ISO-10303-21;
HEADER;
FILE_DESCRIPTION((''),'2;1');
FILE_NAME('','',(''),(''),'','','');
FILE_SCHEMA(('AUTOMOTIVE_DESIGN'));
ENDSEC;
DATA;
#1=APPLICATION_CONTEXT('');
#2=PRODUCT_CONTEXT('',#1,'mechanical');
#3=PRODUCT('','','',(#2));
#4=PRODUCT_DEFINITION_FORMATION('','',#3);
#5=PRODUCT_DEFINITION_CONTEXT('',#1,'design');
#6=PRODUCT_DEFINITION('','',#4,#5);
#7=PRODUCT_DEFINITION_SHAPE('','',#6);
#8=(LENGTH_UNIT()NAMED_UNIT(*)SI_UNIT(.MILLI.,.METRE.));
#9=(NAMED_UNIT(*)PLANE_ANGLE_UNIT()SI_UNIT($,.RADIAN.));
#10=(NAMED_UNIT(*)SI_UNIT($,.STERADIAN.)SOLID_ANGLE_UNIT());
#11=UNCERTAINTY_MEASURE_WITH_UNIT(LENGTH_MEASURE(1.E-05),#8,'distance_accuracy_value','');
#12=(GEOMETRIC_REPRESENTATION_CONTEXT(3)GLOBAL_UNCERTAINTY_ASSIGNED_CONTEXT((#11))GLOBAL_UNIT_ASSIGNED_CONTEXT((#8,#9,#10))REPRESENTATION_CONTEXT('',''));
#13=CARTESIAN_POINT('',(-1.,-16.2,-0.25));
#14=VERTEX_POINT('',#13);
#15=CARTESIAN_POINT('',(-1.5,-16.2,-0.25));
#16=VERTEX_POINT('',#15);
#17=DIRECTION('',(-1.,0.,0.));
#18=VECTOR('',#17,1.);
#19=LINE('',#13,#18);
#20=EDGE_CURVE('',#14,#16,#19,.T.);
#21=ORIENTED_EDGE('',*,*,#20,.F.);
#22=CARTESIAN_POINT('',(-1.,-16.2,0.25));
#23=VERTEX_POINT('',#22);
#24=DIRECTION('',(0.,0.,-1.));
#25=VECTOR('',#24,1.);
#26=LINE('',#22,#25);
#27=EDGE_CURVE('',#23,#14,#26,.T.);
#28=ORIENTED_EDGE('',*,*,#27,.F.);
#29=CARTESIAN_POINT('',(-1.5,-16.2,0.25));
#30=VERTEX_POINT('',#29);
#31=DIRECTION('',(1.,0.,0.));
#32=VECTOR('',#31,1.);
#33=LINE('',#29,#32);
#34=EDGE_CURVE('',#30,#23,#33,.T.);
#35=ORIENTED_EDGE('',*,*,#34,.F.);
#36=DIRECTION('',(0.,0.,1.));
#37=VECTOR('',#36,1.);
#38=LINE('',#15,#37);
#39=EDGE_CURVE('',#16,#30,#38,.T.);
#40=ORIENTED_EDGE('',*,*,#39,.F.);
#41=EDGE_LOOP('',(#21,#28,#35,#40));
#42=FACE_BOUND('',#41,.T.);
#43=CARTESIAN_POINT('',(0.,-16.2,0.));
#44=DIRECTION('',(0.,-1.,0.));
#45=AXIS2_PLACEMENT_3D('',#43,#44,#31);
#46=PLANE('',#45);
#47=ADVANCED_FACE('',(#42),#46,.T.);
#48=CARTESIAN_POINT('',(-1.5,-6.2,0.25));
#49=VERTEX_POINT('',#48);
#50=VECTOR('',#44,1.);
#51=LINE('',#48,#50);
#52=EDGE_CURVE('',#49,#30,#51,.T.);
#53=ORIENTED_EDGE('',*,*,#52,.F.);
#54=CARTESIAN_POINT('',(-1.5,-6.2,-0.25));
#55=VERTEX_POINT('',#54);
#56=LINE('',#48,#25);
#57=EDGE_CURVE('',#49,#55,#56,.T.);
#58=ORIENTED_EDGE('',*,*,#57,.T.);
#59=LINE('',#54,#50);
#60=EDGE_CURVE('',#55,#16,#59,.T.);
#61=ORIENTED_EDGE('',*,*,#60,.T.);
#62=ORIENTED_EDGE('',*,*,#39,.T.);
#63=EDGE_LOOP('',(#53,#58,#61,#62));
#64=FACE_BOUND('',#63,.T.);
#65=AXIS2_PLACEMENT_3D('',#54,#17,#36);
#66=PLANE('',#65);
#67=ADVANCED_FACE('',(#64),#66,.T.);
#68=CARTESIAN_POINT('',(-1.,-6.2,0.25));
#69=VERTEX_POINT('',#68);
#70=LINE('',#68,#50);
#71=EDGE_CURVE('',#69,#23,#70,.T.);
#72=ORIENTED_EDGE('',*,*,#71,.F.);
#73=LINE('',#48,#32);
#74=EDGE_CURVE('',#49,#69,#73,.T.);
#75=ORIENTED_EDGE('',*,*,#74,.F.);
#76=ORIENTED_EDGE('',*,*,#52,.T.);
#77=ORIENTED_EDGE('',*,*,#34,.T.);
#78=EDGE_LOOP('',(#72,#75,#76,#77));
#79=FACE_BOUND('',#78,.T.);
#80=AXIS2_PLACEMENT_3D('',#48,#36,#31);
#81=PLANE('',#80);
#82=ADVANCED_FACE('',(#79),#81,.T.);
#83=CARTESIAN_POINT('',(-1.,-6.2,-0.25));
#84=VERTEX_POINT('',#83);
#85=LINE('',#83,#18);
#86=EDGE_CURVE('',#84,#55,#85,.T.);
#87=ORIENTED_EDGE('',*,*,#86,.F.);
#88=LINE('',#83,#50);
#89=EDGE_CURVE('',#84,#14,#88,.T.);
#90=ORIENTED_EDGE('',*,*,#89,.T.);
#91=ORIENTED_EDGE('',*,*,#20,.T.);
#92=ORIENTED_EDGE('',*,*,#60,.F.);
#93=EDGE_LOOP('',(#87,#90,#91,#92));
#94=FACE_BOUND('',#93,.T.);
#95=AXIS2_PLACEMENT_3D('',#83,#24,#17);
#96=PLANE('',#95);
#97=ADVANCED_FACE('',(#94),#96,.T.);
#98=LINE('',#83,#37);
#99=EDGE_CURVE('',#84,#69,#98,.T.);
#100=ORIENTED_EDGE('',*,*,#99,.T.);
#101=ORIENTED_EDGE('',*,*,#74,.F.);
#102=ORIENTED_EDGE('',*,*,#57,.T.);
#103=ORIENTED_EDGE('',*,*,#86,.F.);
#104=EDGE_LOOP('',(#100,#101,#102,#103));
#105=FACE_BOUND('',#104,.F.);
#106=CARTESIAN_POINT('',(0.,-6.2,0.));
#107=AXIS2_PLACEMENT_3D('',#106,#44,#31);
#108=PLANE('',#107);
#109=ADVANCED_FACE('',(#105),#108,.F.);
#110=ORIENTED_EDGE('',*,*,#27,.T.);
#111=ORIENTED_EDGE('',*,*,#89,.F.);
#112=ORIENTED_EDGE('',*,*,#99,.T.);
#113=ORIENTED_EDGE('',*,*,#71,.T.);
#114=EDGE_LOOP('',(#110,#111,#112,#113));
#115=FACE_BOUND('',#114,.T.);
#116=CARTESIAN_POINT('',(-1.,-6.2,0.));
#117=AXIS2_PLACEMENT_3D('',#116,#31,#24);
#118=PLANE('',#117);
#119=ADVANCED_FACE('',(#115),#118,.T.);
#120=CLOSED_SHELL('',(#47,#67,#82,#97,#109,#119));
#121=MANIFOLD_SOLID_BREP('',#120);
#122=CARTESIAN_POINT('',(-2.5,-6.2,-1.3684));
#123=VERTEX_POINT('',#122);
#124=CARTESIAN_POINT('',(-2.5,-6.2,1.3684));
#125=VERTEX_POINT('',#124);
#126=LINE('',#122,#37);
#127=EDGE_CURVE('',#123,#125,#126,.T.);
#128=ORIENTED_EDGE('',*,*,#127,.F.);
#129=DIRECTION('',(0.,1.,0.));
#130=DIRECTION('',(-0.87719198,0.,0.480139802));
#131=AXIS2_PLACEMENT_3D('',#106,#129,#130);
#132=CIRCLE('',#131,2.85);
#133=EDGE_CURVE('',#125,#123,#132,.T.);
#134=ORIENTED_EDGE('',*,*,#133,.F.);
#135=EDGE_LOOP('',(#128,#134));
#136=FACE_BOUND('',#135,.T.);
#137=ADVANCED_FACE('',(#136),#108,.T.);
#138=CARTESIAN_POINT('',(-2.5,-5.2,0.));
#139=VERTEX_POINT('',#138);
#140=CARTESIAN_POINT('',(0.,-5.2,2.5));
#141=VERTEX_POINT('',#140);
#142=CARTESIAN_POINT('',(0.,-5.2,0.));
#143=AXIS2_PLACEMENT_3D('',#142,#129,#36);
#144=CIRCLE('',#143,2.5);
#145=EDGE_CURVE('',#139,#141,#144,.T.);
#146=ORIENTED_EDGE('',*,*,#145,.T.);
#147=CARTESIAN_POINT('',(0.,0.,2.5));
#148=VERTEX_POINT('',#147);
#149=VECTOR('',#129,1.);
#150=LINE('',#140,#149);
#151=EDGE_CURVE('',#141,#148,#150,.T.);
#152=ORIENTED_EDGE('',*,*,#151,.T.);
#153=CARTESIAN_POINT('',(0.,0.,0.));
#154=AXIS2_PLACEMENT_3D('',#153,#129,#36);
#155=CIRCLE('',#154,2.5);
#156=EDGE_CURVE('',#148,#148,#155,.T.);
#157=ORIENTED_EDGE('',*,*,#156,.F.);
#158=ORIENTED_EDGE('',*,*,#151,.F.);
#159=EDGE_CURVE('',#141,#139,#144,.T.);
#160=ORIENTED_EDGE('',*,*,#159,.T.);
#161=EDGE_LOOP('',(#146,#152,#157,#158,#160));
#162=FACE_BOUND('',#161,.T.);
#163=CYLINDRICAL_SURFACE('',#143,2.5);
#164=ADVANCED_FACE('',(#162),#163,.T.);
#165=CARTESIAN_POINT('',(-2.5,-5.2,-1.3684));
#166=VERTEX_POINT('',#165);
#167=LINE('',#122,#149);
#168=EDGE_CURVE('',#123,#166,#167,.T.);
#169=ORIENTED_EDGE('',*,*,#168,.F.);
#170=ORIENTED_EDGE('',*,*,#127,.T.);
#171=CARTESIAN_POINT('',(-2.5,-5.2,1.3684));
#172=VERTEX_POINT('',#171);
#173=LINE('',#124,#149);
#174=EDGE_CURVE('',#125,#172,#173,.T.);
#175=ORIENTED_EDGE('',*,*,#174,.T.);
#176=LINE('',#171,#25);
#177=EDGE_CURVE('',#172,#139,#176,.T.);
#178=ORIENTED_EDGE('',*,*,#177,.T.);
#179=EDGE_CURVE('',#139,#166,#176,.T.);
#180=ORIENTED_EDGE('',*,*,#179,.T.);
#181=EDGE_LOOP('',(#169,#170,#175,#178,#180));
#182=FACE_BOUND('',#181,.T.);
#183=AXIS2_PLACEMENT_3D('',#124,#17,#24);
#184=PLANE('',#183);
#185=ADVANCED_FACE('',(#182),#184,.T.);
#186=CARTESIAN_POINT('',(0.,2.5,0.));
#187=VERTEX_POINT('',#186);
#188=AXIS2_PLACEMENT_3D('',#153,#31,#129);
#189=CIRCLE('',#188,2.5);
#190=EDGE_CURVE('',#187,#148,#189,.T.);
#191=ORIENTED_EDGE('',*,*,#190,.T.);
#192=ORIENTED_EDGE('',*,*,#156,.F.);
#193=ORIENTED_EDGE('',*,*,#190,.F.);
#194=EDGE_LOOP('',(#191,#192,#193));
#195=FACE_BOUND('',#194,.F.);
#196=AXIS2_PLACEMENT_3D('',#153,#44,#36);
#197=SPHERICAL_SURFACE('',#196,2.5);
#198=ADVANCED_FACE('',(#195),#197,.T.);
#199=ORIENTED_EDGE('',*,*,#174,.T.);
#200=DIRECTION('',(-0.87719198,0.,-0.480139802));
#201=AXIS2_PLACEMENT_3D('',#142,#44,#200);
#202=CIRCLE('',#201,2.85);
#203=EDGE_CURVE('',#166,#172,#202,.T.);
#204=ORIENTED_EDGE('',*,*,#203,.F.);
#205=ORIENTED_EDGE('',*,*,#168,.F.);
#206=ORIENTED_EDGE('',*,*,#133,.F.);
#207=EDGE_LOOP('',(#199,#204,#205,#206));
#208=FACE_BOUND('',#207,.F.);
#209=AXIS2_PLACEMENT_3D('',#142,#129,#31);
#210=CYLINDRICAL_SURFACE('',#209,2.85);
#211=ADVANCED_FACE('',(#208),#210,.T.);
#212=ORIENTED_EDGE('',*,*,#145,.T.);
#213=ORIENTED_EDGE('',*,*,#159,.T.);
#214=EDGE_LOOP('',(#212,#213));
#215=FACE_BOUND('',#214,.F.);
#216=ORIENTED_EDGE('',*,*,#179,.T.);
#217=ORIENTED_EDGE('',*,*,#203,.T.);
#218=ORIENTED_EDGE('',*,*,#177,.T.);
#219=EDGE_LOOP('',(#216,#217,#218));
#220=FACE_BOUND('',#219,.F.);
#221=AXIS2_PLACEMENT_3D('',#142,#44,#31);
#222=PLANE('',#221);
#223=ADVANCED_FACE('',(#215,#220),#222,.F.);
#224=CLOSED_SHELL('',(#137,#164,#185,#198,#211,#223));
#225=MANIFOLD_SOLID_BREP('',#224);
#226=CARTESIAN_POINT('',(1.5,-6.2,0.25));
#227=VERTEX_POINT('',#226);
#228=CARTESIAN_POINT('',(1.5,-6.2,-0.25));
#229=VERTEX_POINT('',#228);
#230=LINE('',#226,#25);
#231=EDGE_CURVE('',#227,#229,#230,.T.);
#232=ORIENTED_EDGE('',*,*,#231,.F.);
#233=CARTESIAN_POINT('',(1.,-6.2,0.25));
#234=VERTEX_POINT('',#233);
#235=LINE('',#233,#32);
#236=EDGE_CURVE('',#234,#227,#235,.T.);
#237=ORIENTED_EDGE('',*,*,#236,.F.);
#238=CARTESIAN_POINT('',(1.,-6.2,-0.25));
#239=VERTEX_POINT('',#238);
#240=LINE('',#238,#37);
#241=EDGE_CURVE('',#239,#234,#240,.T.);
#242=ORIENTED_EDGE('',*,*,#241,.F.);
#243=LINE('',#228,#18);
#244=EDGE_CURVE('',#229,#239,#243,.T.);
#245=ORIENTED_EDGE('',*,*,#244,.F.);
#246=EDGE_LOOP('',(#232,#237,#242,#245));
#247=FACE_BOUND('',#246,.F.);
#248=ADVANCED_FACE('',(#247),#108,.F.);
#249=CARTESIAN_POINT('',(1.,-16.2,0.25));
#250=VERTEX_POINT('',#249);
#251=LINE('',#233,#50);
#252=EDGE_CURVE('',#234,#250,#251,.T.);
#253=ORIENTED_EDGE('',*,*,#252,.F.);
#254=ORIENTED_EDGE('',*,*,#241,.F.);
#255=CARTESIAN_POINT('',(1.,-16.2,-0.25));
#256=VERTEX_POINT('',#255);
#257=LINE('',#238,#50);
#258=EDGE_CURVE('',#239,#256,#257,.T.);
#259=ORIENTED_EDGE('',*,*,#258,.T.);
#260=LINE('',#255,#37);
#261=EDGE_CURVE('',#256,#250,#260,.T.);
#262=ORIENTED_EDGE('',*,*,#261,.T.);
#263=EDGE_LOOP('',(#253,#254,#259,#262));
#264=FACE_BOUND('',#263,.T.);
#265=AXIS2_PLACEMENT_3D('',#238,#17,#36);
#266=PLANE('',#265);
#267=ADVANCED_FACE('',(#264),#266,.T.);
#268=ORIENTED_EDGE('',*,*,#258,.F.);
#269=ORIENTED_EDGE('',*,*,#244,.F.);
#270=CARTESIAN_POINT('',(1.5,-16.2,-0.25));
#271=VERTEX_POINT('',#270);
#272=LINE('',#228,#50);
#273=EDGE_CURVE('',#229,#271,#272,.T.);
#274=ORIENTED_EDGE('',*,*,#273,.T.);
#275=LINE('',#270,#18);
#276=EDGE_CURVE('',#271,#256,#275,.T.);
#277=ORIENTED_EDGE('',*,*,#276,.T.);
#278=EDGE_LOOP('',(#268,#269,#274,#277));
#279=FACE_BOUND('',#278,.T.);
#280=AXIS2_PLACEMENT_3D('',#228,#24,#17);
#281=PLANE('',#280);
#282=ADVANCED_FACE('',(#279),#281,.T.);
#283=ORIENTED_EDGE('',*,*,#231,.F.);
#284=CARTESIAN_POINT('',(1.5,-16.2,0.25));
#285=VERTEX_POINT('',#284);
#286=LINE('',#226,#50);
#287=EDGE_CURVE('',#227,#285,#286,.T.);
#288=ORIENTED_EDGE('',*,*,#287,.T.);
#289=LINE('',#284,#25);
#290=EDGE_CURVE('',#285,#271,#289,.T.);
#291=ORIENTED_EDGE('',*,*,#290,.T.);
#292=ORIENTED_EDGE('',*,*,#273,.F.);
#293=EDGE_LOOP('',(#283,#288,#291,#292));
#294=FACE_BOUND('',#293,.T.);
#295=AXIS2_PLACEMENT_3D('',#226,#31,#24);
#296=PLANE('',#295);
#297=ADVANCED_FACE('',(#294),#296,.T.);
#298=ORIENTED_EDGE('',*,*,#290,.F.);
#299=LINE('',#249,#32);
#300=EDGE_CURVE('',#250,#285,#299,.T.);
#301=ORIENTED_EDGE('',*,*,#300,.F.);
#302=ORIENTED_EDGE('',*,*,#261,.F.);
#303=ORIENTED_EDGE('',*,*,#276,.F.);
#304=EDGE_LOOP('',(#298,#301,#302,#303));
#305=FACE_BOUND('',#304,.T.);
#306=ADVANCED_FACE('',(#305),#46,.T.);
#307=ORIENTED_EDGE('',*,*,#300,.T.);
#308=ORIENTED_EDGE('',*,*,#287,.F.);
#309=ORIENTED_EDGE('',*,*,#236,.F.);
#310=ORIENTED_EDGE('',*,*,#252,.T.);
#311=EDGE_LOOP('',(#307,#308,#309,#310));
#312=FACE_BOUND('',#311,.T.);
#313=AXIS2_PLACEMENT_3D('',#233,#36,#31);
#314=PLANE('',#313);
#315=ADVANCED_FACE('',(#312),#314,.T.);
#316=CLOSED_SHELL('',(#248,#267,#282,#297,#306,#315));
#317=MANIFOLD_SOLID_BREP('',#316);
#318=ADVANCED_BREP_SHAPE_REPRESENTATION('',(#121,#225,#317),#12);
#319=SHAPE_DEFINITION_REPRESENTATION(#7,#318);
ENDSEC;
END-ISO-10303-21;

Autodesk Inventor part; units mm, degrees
ref_plane "YZ Plane" through (0, 0, 0) normal (1, 0, 0) x (0, 1, 0)
ref_plane "XZ Plane" through (0, 0, 0) normal (0, 1, 0) x (-1, 0, 0)
ref_plane "XY Plane" through (0, 0, 0) normal (0, 0, 1) x (1, 0, 0)
sketch "Sketch1" plane through (0, 0, 0) normal (1, 0, 0) x (0, 1, 0)
  arc A0 (2.5, 0) -> (0, 2.5) centre (0, 0) ccw
  line L0 (-5.2, 0) -> (-5.2, 2.5)
  line L1 (-5.2, 2.5) -> (0, 2.5)
  line L2 (-5.2, 0) -> (2.5, 0)
  dimension "d0" = 2.5
  dimension "d1" = 7.7
revolve "Revolution1" add sketch "Sketch1" angle 360 about axis through (0, -5.2, 0) along (0, 1, 0)
sketch "Sketch2" plane through (0, -5.2, 0) normal (0, -1, 0) x (1, 0, 0)
  circle A0 centre (0, 0) radius 2.85
  dimension "d3" = 5.7
extrude "Extrusion1" add sketch "Sketch2" along normal blind 1
sketch "Sketch3" plane through (0, -6.2, 0) normal (0, -1, 0) x (1, 0, 0)
  circle A0 centre (0, 0) radius 2.5 projected
  line L0 (-2.5, 1.3684) -> (-2.5, -1.3684)
  circle A1 centre (0, 0) radius 2.85 projected
extrude "Extrusion2" cut sketch "Sketch3" against normal up to surface (1 mm away) contours L0 A1 picked at (-2.5741, -0.7373)
sketch "Sketch4" plane through (0, -6.2, 0) normal (0, -1, 0) x (1, 0, 0)
  line L0 (1.5, -0.25) -> (1, -0.25)
  line L1 (1, -0.25) -> (1, 0.25)
  line L2 (1, 0.25) -> (1.5, 0.25)
  line L3 (1.5, 0.25) -> (1.5, -0.25)
  line L4 (1.5, -0.25) -> (1, 0.25) construction
  line L5 (1, -0.25) -> (1.5, 0.25) construction
  line L6 (-1, -0.25) -> (-1.5, -0.25)
  line L7 (-1.5, -0.25) -> (-1.5, 0.25)
  line L8 (-1.5, 0.25) -> (-1, 0.25)
  line L9 (-1, 0.25) -> (-1, -0.25)
  line L10 (-1, -0.25) -> (-1.5, 0.25) construction
  line L11 (-1.5, -0.25) -> (-1, 0.25) construction
  line L12 (0, 0) -> (0, -1.2379)
  line L13 (0, 0) -> (-2.5, 0)
  point P0 (1.25, 0)
  point P1 (-1.25, 0)
  point P2 (-1.25, 0)
  point P3 (1.25, 0)
  point P4 (-1.25, 0)
  dimension "d8" = 2.5
  dimension "d9" = 0.5
extrude "Extrusion3" add sketch "Sketch4" along normal blind 10 separate body
properties part number "OPE5594A"
